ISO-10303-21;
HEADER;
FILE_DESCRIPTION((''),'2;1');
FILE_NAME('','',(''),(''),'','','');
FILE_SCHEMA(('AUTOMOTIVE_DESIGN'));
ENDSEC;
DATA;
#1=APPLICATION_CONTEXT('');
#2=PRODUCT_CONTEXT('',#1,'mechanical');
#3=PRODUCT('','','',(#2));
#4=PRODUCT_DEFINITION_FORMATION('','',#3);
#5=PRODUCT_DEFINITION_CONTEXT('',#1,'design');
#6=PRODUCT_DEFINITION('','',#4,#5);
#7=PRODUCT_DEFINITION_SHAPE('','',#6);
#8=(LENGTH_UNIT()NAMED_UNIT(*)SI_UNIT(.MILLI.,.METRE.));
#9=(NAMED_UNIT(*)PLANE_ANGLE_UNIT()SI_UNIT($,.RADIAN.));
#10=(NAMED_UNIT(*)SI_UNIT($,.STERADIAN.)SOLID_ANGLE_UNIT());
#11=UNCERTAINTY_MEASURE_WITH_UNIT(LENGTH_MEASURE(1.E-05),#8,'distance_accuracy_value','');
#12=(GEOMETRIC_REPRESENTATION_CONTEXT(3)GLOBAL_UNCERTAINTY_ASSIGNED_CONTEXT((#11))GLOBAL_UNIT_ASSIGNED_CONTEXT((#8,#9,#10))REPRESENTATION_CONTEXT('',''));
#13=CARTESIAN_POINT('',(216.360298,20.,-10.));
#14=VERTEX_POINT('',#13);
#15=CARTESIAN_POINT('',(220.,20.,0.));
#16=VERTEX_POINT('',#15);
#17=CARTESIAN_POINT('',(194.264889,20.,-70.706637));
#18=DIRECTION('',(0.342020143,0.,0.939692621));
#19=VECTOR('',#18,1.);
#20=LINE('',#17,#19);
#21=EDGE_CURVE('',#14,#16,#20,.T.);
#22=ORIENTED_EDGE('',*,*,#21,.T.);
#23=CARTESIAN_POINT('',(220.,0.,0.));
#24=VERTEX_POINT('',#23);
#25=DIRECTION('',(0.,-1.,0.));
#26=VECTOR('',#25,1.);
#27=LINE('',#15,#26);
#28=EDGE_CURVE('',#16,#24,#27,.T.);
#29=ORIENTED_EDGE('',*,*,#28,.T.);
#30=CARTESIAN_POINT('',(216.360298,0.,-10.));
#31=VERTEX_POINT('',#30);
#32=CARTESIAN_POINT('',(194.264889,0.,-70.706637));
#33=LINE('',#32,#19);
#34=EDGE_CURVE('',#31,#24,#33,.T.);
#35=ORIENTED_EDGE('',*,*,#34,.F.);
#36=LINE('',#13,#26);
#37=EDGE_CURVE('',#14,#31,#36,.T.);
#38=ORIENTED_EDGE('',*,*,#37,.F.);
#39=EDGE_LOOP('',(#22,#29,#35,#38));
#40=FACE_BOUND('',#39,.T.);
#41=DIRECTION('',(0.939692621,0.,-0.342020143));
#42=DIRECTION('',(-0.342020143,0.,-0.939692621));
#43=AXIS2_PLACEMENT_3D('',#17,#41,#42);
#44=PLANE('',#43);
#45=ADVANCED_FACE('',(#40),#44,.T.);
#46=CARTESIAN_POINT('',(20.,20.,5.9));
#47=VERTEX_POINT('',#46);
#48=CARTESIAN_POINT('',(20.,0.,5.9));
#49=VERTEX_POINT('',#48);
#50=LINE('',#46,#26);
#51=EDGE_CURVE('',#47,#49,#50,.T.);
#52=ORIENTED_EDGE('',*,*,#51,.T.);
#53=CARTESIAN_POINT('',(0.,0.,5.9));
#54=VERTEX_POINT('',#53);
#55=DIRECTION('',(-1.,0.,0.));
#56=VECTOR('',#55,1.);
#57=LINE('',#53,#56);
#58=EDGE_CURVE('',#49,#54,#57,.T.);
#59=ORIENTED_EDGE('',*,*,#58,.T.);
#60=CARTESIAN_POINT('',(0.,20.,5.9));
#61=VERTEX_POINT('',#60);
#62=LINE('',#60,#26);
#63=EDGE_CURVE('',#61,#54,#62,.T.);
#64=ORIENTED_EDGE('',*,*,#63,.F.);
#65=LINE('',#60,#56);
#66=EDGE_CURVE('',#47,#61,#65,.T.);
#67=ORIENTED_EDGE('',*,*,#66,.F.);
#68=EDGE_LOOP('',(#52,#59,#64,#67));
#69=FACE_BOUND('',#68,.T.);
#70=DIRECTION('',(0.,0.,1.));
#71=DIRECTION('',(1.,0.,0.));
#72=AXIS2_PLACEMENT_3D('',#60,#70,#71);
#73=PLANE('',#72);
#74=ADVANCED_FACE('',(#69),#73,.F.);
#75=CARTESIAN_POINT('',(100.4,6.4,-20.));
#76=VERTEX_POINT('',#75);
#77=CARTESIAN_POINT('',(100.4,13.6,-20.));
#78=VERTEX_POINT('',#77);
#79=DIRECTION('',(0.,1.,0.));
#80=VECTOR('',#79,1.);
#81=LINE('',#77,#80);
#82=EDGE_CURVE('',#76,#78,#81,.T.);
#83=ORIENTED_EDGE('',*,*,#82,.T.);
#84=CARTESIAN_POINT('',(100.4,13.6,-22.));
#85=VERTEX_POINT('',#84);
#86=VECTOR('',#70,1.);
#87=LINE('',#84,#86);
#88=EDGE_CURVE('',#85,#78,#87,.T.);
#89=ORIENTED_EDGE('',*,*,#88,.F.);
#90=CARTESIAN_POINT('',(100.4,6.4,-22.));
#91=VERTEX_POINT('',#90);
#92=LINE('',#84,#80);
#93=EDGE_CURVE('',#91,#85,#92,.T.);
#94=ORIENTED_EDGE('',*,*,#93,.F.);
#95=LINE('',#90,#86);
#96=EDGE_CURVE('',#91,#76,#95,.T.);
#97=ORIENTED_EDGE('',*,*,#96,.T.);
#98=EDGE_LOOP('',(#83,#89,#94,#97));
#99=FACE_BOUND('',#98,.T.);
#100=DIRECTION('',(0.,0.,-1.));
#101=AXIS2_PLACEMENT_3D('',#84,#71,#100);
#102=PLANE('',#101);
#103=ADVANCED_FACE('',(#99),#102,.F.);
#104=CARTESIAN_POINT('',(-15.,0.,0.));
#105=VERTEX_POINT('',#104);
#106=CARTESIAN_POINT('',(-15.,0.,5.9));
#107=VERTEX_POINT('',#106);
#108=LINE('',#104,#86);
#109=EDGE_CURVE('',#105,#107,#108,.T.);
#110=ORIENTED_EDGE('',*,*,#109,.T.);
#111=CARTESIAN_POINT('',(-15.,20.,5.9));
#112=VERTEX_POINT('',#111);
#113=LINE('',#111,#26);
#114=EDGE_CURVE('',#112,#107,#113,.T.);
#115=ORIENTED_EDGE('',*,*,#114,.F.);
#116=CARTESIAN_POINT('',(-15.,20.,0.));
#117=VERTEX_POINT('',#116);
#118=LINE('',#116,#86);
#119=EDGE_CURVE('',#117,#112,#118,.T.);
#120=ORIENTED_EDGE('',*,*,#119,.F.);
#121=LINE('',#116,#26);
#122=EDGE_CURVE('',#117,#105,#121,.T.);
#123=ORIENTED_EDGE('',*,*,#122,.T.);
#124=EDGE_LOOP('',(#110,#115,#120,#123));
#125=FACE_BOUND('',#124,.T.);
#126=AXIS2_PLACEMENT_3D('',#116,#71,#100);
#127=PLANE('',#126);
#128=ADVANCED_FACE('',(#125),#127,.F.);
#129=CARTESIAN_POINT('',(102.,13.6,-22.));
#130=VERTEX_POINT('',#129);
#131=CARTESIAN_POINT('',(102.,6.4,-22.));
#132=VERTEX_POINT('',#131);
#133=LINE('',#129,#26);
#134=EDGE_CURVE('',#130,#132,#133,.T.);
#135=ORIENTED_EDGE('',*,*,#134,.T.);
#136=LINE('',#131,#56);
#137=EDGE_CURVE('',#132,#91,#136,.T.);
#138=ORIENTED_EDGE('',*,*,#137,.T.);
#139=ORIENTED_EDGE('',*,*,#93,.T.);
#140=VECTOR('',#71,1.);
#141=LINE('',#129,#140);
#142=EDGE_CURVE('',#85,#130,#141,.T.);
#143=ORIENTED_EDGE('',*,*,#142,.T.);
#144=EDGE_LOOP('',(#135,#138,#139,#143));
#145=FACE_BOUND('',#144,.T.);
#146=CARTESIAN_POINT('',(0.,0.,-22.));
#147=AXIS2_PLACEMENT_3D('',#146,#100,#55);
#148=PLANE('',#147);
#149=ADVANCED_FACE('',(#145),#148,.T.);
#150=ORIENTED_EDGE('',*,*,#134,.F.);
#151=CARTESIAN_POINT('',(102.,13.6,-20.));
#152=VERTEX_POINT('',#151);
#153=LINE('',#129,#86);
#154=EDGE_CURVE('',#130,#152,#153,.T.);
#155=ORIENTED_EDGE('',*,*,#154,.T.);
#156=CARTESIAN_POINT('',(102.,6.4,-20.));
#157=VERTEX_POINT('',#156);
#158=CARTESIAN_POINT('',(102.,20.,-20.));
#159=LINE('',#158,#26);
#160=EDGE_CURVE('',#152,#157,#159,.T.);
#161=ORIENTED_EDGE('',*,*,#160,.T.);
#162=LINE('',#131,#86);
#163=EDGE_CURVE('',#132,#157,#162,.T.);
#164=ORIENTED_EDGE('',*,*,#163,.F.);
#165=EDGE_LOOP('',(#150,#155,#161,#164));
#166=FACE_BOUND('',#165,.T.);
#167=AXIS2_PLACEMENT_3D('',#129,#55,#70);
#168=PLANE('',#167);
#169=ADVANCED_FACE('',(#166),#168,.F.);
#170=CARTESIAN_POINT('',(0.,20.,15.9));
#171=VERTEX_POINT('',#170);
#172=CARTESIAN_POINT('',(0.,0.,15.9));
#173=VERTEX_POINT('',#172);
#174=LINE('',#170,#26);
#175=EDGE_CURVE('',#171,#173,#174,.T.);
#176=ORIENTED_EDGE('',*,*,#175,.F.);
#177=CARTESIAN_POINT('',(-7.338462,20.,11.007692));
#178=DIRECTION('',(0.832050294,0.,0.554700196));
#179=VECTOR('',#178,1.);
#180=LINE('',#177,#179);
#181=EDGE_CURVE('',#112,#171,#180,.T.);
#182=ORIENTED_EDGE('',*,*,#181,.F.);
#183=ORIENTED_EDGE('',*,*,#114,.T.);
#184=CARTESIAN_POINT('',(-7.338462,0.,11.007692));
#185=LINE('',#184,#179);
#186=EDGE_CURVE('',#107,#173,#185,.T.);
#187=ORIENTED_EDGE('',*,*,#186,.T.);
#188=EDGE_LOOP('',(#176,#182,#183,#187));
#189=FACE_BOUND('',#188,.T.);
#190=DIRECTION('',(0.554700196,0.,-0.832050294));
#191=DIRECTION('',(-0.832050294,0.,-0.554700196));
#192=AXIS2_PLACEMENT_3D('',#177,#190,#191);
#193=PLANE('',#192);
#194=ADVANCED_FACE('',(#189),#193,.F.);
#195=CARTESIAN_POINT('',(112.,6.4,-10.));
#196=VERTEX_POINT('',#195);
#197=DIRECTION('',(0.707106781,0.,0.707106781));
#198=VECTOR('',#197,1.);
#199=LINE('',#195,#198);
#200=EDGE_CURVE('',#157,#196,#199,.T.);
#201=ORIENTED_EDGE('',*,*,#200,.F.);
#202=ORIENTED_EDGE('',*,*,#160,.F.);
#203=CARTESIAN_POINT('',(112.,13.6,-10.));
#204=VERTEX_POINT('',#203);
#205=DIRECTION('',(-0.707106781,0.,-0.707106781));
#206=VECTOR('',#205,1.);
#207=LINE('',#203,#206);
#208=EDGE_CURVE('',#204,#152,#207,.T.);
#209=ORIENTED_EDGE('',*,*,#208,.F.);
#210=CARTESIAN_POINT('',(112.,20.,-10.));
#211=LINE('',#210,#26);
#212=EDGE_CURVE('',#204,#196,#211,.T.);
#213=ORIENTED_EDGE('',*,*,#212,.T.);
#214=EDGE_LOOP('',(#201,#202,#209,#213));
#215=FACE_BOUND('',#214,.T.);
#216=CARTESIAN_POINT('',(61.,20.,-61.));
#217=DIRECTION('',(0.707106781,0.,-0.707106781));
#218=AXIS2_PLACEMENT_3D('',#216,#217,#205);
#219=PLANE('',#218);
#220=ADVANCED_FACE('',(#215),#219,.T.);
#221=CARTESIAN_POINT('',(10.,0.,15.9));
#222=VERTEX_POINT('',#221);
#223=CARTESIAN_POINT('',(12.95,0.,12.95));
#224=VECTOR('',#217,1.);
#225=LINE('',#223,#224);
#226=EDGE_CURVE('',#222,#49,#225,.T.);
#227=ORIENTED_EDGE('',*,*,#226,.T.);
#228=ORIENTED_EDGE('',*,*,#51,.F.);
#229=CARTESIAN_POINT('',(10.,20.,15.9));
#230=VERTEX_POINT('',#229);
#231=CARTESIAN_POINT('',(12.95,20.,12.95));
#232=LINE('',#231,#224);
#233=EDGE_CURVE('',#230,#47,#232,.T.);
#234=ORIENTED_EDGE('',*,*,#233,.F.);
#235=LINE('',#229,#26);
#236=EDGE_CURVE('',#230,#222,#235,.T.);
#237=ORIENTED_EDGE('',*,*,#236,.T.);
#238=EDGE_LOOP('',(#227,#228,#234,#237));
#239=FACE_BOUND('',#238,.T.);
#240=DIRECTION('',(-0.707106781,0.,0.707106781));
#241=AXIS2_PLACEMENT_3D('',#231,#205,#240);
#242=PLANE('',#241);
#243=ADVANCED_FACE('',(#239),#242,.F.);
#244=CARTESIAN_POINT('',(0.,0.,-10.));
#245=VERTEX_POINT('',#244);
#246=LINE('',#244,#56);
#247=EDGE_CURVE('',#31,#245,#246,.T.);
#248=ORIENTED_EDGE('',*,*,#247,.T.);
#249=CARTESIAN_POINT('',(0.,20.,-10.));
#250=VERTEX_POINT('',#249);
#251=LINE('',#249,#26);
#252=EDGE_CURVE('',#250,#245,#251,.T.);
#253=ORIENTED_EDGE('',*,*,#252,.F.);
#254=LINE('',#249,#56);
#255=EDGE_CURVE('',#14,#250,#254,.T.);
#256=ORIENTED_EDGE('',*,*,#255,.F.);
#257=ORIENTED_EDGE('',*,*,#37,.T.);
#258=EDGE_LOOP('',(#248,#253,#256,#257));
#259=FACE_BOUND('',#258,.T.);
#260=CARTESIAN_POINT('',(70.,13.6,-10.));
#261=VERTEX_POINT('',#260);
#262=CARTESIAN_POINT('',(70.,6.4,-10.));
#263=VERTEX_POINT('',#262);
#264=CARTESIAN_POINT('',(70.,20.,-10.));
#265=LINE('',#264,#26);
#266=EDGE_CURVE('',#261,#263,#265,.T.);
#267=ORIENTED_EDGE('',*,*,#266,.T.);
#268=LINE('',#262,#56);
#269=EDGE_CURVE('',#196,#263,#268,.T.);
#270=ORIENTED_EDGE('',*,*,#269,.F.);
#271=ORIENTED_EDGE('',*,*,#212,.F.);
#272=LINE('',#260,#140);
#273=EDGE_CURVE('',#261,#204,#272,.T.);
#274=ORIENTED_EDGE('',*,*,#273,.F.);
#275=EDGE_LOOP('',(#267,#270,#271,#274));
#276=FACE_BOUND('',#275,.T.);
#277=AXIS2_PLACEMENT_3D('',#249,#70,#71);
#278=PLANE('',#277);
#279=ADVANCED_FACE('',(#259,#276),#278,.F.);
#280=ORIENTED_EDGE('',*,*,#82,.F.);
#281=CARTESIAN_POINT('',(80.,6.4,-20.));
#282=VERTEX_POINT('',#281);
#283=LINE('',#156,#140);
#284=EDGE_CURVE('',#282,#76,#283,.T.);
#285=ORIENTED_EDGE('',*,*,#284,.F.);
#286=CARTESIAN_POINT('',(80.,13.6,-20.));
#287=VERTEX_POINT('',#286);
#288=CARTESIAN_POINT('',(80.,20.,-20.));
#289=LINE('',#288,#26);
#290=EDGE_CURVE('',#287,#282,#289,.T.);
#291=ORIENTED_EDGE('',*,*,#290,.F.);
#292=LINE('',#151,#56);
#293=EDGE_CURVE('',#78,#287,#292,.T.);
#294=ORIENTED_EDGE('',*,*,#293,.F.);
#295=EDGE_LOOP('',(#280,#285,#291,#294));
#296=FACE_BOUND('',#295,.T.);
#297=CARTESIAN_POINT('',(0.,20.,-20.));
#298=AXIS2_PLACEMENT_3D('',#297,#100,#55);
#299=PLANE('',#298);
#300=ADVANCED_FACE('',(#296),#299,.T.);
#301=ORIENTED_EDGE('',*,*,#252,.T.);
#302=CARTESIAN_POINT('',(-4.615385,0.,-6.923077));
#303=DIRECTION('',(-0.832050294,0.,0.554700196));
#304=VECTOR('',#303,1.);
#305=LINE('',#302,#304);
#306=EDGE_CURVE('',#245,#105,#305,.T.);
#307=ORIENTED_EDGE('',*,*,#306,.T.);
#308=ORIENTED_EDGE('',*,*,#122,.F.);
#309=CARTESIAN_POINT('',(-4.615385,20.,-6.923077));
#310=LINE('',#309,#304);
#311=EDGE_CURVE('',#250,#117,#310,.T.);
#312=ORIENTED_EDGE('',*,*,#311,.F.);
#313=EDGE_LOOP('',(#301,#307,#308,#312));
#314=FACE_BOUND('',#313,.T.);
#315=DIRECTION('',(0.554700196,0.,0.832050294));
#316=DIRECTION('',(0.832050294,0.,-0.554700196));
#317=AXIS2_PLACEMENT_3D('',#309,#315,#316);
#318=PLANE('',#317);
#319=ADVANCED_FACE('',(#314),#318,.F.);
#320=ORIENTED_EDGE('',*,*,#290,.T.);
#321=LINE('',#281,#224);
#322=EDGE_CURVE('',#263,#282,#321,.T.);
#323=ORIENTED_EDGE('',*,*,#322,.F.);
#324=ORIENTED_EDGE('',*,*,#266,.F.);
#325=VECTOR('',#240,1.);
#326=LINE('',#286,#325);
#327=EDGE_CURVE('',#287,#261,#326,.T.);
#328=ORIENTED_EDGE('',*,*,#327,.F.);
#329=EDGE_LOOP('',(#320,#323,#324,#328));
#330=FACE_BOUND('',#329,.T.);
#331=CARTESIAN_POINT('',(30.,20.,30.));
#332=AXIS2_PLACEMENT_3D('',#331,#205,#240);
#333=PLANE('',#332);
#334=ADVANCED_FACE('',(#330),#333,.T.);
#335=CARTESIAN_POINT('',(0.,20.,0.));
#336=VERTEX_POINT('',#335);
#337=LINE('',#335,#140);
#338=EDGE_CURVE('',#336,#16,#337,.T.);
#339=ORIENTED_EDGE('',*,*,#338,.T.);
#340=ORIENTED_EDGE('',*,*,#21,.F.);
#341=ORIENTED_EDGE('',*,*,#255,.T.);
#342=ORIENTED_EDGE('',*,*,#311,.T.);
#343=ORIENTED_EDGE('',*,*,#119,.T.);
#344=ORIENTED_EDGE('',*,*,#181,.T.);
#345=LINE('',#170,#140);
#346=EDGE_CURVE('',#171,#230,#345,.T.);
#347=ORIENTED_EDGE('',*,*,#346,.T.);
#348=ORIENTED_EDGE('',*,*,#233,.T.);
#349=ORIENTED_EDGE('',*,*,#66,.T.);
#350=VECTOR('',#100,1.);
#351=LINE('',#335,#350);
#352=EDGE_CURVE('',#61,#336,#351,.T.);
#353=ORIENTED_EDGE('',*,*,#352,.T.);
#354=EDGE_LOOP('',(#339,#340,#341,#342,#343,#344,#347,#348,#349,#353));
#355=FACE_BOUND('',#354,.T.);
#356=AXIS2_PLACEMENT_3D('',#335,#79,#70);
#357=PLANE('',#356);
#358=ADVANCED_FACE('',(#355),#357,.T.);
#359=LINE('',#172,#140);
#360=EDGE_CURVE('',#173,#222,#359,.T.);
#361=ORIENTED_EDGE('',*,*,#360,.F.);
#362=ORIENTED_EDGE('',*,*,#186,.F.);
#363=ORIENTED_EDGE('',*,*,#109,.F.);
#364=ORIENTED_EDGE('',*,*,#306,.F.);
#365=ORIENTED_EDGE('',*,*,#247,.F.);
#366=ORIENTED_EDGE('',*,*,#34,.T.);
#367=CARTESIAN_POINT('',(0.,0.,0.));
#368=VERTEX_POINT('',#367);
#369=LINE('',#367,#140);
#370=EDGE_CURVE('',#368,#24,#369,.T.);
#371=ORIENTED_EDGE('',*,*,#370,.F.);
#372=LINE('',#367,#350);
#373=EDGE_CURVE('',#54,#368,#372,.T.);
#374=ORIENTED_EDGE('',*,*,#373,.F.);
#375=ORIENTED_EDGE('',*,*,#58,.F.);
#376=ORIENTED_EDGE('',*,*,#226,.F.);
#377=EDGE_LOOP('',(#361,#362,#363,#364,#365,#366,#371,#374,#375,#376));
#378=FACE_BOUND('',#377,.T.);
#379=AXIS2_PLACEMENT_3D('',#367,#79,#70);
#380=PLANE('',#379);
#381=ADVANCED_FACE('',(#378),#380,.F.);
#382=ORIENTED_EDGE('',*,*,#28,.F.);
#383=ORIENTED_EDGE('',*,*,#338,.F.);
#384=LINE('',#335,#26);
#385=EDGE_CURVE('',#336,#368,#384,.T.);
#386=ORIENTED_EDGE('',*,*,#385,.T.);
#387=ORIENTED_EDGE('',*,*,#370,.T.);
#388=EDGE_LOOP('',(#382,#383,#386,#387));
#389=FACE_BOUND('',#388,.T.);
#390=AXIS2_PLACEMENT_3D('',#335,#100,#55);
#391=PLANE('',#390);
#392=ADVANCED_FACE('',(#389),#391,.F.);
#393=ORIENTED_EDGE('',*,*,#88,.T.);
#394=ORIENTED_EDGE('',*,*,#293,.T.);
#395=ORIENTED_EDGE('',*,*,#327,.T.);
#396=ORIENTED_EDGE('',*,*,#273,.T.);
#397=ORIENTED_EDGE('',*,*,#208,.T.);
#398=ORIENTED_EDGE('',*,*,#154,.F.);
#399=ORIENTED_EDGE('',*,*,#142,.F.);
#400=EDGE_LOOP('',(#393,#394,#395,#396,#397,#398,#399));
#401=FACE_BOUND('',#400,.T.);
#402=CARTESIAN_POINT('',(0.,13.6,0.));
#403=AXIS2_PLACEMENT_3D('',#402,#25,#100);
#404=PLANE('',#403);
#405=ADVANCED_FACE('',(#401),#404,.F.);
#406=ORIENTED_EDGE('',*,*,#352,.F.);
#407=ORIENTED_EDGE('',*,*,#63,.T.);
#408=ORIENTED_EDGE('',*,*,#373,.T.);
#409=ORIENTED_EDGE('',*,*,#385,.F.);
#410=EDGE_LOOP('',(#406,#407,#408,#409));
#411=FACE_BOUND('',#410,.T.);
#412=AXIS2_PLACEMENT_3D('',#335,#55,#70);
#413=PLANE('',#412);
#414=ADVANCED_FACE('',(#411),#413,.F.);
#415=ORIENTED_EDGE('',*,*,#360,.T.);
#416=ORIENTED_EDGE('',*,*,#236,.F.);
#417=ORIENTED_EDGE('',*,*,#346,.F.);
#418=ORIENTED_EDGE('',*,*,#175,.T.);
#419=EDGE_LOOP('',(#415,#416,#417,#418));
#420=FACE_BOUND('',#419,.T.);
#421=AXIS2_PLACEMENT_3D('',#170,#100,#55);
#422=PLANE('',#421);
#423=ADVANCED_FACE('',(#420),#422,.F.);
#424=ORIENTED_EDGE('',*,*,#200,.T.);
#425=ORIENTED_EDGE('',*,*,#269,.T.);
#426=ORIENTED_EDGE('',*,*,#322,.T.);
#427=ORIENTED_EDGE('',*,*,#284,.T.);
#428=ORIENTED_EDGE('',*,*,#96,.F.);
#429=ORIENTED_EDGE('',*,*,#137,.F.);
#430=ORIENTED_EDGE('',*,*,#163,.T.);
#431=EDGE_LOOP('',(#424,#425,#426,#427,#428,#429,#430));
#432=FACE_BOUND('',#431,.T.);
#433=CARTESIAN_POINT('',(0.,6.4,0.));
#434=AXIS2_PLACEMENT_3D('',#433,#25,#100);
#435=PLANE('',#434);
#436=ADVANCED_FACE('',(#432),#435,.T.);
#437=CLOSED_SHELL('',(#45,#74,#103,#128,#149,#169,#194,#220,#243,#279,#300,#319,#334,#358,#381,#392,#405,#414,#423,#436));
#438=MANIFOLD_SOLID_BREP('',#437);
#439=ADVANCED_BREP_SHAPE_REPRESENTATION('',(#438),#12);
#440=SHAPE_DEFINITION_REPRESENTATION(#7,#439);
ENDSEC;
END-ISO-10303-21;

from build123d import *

# Parameters (mm, degrees)
SKIZZE1_W                       = 15
SKIZZE1_H                       = 5.9
AUFSATZ_LINEAR_AUSTRAGEN1_DEPTH = 20
SCHNITT_LINEAR_AUSTRAGEN1_DEPTH = 6.4
SCHNITT_LINEAR_AUSTRAGEN2_DEPTH = 6.4
SKIZZE4_W                       = 1.6
SKIZZE4_H                       = 7.2
AUFSATZ_LINEAR_AUSTRAGEN2_DEPTH = 2


with BuildPart() as part:
    # Skizze1 → Aufsatz-Linear austragen1 (new body)
    with BuildSketch(Plane(origin=(0, 0, 0), x_dir=(1, 0, 0), z_dir=(0, 1, 0))):
        Polygon((20, -5.9), (0, -5.9), (0, -15.9), (10, -15.9), align=None)
        Polygon((0, -5.9), (0, -15.9), (-15, -5.9), align=None)
        with Locations((-7.5, -2.95)):
            Rectangle(SKIZZE1_W, SKIZZE1_H)
        Polygon((0, 10), (0, 0), (-15, 0), align=None)
        Polygon((0, 10), (0, 0), (80, 0), (80, 10), (70, 10), align=None)
        Polygon((80, 10), (80, 0), (220, 0), (216.360297657, 10), (112, 10), align=None)
        Polygon((80, 20), (80, 10), (112, 10), (102, 20), align=None)
        Polygon((70, 10), (80, 10), (80, 20), align=None)
    extrude(amount=AUFSATZ_LINEAR_AUSTRAGEN1_DEPTH)

    # Skizze2 → Schnitt-Linear austragen1 (cut)
    with BuildSketch(Plane(origin=(0, 20, 0), x_dir=(1, 0, 0), z_dir=(0, 1, 0))):
        Polygon((70, 10), (112, 10), (102, 20), (80, 20), align=None)
    extrude(amount=-SCHNITT_LINEAR_AUSTRAGEN1_DEPTH, mode=Mode.SUBTRACT)

    # Skizze3 → Schnitt-Linear austragen2 (cut)
    with BuildSketch(Plane.XZ):
        Polygon((70, -10), (112, -10), (102, -20), (80, -20), align=None)
    extrude(amount=-SCHNITT_LINEAR_AUSTRAGEN2_DEPTH, mode=Mode.SUBTRACT)

    # Skizze4 → Aufsatz-Linear austragen2 (add)
    with BuildSketch(Plane(origin=(0, 0, -20), x_dir=(-1, 0, 0), z_dir=(0, 0, -1))):
        with Locations((-101.2, 10)):
            Rectangle(SKIZZE4_W, SKIZZE4_H)
    extrude(amount=AUFSATZ_LINEAR_AUSTRAGEN2_DEPTH)


solid = part.part
